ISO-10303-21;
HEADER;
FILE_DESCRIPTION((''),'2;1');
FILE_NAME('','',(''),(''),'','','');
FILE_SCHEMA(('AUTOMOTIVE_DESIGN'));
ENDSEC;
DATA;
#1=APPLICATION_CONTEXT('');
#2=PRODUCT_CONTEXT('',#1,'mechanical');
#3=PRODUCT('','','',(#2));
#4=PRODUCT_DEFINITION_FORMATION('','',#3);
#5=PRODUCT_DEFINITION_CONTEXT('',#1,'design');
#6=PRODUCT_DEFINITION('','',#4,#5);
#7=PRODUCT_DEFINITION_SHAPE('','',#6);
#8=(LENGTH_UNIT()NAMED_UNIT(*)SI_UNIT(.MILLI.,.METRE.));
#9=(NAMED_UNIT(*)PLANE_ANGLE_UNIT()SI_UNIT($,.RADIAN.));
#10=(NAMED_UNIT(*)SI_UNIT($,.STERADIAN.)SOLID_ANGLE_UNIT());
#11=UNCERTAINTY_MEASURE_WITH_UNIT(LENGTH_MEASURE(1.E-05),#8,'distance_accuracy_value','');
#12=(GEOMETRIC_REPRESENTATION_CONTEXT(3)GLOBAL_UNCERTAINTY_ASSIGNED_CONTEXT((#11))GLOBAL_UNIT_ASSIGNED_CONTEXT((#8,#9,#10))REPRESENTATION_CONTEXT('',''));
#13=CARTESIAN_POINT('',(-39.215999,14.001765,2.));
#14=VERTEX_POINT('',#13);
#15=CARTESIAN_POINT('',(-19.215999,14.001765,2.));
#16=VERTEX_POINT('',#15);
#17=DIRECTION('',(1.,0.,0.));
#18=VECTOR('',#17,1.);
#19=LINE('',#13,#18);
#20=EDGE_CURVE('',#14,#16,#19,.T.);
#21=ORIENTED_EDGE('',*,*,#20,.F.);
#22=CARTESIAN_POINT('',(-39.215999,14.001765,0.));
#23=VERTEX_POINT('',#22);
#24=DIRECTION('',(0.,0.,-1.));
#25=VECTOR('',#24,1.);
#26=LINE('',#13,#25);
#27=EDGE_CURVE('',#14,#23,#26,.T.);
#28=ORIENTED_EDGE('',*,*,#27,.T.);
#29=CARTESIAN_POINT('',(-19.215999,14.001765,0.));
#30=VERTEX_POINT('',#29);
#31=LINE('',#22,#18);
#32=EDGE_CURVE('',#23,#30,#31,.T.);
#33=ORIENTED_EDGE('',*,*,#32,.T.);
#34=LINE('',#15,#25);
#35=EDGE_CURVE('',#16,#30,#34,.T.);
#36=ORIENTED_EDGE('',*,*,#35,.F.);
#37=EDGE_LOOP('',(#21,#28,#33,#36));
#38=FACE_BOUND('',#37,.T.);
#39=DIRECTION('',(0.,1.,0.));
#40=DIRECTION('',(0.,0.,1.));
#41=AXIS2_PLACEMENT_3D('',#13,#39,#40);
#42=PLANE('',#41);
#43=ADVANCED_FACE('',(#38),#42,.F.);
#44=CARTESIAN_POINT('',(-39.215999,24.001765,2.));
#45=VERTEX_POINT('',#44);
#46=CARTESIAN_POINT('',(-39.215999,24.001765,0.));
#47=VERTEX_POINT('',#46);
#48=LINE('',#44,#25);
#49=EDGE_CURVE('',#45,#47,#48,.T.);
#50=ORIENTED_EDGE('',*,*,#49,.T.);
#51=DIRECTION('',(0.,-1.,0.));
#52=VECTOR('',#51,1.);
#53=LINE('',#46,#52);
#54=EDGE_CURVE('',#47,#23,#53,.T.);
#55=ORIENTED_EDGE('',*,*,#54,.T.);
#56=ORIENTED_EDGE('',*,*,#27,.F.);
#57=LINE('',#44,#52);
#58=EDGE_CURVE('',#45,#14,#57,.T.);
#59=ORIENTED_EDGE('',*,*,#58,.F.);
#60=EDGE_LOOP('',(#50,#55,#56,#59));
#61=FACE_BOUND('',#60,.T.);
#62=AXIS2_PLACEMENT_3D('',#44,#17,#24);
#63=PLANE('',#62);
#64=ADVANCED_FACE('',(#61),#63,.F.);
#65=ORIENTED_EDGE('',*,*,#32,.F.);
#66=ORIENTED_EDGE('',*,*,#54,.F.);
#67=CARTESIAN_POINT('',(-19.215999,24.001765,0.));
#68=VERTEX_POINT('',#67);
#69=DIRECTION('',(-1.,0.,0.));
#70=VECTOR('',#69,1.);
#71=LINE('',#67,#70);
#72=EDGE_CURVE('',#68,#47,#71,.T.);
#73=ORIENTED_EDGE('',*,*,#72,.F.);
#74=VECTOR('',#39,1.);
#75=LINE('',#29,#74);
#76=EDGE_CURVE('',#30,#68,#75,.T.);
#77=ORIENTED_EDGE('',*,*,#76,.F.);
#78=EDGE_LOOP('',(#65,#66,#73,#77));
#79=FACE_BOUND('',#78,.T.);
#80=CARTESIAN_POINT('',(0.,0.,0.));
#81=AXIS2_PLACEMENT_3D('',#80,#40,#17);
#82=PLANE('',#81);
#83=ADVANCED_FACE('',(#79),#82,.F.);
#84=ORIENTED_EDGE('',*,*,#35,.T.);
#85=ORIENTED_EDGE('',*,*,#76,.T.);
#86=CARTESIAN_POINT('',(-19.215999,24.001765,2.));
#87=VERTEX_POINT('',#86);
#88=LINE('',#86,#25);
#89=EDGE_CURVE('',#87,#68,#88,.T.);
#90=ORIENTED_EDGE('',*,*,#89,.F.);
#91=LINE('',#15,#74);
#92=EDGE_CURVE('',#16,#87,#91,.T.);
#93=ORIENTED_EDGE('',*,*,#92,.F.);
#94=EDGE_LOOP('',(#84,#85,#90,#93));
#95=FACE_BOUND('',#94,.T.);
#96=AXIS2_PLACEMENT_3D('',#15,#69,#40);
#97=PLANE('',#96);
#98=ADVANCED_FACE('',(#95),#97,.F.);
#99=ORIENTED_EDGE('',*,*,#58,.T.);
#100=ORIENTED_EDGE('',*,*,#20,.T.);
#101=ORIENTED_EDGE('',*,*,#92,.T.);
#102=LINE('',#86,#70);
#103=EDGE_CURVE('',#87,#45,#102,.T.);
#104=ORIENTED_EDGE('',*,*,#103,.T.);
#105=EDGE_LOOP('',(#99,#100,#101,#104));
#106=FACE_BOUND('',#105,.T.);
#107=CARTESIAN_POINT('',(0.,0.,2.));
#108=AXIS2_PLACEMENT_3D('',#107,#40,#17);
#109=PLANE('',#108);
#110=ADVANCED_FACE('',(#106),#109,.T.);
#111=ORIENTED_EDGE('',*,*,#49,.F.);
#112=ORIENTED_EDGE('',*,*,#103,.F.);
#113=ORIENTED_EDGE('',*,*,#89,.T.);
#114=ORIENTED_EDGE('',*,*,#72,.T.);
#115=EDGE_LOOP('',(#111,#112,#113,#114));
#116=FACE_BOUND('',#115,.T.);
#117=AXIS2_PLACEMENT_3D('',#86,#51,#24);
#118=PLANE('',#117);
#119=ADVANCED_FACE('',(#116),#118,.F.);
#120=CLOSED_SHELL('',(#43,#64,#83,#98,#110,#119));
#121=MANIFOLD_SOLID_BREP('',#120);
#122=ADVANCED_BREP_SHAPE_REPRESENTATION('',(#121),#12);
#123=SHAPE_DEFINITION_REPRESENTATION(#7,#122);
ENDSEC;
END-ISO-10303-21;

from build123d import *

# Parameters (mm, degrees)
SKETCH_1_W      = 20
SKETCH_1_H      = 10
EXTRUDE_1_DEPTH = 2


with BuildPart() as part:
    # 草图1 → 凸台-拉伸1 (new body)
    with BuildSketch(Plane.XY):
        with Locations((-29.215998547, 19.001764997)):
            Rectangle(SKETCH_1_W, SKETCH_1_H)
    extrude(amount=EXTRUDE_1_DEPTH)


solid = part.part
